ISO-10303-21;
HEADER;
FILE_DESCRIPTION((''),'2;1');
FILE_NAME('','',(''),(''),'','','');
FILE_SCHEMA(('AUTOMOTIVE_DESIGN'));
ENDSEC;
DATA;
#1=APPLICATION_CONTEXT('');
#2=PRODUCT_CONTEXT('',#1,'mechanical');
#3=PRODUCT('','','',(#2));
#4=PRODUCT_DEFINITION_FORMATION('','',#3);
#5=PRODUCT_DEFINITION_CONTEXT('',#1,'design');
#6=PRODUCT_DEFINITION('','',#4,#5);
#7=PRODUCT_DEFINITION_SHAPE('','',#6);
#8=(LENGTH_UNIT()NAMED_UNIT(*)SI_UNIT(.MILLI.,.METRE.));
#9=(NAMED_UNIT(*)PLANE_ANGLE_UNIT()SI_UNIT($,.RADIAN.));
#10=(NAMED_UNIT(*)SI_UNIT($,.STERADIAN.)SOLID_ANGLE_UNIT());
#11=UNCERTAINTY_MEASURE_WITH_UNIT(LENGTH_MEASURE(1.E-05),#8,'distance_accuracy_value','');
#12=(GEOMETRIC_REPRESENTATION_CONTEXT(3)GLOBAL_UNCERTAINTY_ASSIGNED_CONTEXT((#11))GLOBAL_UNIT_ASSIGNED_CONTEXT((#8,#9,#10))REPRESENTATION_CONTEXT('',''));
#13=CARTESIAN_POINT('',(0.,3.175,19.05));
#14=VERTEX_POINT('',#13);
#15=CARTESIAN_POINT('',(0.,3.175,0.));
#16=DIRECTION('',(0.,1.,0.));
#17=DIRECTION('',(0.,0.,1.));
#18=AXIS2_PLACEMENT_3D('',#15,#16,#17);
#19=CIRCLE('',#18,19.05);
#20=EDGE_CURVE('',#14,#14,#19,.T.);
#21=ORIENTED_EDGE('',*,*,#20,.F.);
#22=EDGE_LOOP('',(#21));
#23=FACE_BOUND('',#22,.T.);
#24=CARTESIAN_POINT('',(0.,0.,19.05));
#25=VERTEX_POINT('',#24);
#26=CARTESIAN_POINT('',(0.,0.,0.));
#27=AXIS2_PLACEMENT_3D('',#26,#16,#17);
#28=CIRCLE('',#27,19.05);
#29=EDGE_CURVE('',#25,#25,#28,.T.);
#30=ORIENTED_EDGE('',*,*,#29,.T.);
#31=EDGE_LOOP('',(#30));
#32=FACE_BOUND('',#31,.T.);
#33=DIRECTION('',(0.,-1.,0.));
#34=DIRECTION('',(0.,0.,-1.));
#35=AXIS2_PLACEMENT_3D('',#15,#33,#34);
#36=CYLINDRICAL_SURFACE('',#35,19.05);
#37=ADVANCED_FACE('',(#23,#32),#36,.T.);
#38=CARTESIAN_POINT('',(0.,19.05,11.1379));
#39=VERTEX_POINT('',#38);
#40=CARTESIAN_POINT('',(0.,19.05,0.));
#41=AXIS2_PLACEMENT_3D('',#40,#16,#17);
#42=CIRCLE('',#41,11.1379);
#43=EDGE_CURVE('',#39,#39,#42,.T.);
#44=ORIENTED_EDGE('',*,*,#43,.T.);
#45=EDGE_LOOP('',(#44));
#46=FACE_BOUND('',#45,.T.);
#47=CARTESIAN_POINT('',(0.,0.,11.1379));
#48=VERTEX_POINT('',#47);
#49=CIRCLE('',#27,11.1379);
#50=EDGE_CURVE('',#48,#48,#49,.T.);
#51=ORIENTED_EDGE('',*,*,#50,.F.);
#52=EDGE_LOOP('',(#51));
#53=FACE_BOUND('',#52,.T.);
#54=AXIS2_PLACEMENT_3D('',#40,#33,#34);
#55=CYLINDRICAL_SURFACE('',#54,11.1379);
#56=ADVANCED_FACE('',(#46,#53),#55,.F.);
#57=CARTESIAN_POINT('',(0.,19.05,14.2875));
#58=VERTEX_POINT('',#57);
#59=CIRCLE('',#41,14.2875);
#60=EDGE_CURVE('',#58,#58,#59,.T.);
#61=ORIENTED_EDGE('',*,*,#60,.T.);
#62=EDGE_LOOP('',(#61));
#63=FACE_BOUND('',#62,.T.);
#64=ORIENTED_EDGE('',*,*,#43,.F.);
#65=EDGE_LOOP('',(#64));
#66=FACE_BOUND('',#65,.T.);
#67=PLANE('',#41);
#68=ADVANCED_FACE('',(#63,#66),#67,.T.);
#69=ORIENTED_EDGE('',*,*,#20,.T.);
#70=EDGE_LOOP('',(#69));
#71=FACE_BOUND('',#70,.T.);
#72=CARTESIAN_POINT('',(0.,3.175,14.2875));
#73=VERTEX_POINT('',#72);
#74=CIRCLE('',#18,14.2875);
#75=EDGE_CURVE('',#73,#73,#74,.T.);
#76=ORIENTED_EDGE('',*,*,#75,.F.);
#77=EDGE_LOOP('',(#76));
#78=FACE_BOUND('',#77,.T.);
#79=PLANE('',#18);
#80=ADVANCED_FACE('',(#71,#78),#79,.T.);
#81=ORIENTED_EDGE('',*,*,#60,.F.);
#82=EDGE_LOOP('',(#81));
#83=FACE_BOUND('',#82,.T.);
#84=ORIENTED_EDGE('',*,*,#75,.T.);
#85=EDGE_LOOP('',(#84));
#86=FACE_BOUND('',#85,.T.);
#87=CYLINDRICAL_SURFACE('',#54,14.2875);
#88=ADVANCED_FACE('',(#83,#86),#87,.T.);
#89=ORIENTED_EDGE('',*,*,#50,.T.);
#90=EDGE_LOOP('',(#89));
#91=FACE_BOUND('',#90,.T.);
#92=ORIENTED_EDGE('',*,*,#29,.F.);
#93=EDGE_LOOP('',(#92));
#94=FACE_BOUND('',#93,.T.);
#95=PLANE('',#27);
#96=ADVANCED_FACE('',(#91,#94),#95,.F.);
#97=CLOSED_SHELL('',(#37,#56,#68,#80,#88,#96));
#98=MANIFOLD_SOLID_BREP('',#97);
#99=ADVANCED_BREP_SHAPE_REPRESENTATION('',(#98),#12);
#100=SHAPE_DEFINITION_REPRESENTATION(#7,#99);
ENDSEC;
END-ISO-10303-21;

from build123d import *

# Parameters (mm, degrees)
SKETCH2_R           = 14.2875
SKETCH2_R_2         = 11.1379
BOSS_EXTRUDE1_DEPTH = 19.05
SKETCH3_R           = 19.05
SKETCH3_R_2         = 14.2875
BOSS_EXTRUDE2_DEPTH = 3.175


with BuildPart() as part:
    # Sketch2 → Boss-Extrude1 (new body)
    with BuildSketch(Plane(origin=(0, 0, 0), x_dir=(1, 0, 0), z_dir=(0, 1, 0))):
        Circle(SKETCH2_R)
        Circle(SKETCH2_R_2, mode=Mode.SUBTRACT)
    extrude(amount=BOSS_EXTRUDE1_DEPTH)

    # Sketch3 → Boss-Extrude2 (add)
    with BuildSketch(Plane(origin=(0, 0, 0), x_dir=(1, 0, 0), z_dir=(0, 1, 0))):
        Circle(SKETCH3_R)
        Circle(SKETCH3_R_2, mode=Mode.SUBTRACT)
    extrude(amount=BOSS_EXTRUDE2_DEPTH)


solid = part.part
